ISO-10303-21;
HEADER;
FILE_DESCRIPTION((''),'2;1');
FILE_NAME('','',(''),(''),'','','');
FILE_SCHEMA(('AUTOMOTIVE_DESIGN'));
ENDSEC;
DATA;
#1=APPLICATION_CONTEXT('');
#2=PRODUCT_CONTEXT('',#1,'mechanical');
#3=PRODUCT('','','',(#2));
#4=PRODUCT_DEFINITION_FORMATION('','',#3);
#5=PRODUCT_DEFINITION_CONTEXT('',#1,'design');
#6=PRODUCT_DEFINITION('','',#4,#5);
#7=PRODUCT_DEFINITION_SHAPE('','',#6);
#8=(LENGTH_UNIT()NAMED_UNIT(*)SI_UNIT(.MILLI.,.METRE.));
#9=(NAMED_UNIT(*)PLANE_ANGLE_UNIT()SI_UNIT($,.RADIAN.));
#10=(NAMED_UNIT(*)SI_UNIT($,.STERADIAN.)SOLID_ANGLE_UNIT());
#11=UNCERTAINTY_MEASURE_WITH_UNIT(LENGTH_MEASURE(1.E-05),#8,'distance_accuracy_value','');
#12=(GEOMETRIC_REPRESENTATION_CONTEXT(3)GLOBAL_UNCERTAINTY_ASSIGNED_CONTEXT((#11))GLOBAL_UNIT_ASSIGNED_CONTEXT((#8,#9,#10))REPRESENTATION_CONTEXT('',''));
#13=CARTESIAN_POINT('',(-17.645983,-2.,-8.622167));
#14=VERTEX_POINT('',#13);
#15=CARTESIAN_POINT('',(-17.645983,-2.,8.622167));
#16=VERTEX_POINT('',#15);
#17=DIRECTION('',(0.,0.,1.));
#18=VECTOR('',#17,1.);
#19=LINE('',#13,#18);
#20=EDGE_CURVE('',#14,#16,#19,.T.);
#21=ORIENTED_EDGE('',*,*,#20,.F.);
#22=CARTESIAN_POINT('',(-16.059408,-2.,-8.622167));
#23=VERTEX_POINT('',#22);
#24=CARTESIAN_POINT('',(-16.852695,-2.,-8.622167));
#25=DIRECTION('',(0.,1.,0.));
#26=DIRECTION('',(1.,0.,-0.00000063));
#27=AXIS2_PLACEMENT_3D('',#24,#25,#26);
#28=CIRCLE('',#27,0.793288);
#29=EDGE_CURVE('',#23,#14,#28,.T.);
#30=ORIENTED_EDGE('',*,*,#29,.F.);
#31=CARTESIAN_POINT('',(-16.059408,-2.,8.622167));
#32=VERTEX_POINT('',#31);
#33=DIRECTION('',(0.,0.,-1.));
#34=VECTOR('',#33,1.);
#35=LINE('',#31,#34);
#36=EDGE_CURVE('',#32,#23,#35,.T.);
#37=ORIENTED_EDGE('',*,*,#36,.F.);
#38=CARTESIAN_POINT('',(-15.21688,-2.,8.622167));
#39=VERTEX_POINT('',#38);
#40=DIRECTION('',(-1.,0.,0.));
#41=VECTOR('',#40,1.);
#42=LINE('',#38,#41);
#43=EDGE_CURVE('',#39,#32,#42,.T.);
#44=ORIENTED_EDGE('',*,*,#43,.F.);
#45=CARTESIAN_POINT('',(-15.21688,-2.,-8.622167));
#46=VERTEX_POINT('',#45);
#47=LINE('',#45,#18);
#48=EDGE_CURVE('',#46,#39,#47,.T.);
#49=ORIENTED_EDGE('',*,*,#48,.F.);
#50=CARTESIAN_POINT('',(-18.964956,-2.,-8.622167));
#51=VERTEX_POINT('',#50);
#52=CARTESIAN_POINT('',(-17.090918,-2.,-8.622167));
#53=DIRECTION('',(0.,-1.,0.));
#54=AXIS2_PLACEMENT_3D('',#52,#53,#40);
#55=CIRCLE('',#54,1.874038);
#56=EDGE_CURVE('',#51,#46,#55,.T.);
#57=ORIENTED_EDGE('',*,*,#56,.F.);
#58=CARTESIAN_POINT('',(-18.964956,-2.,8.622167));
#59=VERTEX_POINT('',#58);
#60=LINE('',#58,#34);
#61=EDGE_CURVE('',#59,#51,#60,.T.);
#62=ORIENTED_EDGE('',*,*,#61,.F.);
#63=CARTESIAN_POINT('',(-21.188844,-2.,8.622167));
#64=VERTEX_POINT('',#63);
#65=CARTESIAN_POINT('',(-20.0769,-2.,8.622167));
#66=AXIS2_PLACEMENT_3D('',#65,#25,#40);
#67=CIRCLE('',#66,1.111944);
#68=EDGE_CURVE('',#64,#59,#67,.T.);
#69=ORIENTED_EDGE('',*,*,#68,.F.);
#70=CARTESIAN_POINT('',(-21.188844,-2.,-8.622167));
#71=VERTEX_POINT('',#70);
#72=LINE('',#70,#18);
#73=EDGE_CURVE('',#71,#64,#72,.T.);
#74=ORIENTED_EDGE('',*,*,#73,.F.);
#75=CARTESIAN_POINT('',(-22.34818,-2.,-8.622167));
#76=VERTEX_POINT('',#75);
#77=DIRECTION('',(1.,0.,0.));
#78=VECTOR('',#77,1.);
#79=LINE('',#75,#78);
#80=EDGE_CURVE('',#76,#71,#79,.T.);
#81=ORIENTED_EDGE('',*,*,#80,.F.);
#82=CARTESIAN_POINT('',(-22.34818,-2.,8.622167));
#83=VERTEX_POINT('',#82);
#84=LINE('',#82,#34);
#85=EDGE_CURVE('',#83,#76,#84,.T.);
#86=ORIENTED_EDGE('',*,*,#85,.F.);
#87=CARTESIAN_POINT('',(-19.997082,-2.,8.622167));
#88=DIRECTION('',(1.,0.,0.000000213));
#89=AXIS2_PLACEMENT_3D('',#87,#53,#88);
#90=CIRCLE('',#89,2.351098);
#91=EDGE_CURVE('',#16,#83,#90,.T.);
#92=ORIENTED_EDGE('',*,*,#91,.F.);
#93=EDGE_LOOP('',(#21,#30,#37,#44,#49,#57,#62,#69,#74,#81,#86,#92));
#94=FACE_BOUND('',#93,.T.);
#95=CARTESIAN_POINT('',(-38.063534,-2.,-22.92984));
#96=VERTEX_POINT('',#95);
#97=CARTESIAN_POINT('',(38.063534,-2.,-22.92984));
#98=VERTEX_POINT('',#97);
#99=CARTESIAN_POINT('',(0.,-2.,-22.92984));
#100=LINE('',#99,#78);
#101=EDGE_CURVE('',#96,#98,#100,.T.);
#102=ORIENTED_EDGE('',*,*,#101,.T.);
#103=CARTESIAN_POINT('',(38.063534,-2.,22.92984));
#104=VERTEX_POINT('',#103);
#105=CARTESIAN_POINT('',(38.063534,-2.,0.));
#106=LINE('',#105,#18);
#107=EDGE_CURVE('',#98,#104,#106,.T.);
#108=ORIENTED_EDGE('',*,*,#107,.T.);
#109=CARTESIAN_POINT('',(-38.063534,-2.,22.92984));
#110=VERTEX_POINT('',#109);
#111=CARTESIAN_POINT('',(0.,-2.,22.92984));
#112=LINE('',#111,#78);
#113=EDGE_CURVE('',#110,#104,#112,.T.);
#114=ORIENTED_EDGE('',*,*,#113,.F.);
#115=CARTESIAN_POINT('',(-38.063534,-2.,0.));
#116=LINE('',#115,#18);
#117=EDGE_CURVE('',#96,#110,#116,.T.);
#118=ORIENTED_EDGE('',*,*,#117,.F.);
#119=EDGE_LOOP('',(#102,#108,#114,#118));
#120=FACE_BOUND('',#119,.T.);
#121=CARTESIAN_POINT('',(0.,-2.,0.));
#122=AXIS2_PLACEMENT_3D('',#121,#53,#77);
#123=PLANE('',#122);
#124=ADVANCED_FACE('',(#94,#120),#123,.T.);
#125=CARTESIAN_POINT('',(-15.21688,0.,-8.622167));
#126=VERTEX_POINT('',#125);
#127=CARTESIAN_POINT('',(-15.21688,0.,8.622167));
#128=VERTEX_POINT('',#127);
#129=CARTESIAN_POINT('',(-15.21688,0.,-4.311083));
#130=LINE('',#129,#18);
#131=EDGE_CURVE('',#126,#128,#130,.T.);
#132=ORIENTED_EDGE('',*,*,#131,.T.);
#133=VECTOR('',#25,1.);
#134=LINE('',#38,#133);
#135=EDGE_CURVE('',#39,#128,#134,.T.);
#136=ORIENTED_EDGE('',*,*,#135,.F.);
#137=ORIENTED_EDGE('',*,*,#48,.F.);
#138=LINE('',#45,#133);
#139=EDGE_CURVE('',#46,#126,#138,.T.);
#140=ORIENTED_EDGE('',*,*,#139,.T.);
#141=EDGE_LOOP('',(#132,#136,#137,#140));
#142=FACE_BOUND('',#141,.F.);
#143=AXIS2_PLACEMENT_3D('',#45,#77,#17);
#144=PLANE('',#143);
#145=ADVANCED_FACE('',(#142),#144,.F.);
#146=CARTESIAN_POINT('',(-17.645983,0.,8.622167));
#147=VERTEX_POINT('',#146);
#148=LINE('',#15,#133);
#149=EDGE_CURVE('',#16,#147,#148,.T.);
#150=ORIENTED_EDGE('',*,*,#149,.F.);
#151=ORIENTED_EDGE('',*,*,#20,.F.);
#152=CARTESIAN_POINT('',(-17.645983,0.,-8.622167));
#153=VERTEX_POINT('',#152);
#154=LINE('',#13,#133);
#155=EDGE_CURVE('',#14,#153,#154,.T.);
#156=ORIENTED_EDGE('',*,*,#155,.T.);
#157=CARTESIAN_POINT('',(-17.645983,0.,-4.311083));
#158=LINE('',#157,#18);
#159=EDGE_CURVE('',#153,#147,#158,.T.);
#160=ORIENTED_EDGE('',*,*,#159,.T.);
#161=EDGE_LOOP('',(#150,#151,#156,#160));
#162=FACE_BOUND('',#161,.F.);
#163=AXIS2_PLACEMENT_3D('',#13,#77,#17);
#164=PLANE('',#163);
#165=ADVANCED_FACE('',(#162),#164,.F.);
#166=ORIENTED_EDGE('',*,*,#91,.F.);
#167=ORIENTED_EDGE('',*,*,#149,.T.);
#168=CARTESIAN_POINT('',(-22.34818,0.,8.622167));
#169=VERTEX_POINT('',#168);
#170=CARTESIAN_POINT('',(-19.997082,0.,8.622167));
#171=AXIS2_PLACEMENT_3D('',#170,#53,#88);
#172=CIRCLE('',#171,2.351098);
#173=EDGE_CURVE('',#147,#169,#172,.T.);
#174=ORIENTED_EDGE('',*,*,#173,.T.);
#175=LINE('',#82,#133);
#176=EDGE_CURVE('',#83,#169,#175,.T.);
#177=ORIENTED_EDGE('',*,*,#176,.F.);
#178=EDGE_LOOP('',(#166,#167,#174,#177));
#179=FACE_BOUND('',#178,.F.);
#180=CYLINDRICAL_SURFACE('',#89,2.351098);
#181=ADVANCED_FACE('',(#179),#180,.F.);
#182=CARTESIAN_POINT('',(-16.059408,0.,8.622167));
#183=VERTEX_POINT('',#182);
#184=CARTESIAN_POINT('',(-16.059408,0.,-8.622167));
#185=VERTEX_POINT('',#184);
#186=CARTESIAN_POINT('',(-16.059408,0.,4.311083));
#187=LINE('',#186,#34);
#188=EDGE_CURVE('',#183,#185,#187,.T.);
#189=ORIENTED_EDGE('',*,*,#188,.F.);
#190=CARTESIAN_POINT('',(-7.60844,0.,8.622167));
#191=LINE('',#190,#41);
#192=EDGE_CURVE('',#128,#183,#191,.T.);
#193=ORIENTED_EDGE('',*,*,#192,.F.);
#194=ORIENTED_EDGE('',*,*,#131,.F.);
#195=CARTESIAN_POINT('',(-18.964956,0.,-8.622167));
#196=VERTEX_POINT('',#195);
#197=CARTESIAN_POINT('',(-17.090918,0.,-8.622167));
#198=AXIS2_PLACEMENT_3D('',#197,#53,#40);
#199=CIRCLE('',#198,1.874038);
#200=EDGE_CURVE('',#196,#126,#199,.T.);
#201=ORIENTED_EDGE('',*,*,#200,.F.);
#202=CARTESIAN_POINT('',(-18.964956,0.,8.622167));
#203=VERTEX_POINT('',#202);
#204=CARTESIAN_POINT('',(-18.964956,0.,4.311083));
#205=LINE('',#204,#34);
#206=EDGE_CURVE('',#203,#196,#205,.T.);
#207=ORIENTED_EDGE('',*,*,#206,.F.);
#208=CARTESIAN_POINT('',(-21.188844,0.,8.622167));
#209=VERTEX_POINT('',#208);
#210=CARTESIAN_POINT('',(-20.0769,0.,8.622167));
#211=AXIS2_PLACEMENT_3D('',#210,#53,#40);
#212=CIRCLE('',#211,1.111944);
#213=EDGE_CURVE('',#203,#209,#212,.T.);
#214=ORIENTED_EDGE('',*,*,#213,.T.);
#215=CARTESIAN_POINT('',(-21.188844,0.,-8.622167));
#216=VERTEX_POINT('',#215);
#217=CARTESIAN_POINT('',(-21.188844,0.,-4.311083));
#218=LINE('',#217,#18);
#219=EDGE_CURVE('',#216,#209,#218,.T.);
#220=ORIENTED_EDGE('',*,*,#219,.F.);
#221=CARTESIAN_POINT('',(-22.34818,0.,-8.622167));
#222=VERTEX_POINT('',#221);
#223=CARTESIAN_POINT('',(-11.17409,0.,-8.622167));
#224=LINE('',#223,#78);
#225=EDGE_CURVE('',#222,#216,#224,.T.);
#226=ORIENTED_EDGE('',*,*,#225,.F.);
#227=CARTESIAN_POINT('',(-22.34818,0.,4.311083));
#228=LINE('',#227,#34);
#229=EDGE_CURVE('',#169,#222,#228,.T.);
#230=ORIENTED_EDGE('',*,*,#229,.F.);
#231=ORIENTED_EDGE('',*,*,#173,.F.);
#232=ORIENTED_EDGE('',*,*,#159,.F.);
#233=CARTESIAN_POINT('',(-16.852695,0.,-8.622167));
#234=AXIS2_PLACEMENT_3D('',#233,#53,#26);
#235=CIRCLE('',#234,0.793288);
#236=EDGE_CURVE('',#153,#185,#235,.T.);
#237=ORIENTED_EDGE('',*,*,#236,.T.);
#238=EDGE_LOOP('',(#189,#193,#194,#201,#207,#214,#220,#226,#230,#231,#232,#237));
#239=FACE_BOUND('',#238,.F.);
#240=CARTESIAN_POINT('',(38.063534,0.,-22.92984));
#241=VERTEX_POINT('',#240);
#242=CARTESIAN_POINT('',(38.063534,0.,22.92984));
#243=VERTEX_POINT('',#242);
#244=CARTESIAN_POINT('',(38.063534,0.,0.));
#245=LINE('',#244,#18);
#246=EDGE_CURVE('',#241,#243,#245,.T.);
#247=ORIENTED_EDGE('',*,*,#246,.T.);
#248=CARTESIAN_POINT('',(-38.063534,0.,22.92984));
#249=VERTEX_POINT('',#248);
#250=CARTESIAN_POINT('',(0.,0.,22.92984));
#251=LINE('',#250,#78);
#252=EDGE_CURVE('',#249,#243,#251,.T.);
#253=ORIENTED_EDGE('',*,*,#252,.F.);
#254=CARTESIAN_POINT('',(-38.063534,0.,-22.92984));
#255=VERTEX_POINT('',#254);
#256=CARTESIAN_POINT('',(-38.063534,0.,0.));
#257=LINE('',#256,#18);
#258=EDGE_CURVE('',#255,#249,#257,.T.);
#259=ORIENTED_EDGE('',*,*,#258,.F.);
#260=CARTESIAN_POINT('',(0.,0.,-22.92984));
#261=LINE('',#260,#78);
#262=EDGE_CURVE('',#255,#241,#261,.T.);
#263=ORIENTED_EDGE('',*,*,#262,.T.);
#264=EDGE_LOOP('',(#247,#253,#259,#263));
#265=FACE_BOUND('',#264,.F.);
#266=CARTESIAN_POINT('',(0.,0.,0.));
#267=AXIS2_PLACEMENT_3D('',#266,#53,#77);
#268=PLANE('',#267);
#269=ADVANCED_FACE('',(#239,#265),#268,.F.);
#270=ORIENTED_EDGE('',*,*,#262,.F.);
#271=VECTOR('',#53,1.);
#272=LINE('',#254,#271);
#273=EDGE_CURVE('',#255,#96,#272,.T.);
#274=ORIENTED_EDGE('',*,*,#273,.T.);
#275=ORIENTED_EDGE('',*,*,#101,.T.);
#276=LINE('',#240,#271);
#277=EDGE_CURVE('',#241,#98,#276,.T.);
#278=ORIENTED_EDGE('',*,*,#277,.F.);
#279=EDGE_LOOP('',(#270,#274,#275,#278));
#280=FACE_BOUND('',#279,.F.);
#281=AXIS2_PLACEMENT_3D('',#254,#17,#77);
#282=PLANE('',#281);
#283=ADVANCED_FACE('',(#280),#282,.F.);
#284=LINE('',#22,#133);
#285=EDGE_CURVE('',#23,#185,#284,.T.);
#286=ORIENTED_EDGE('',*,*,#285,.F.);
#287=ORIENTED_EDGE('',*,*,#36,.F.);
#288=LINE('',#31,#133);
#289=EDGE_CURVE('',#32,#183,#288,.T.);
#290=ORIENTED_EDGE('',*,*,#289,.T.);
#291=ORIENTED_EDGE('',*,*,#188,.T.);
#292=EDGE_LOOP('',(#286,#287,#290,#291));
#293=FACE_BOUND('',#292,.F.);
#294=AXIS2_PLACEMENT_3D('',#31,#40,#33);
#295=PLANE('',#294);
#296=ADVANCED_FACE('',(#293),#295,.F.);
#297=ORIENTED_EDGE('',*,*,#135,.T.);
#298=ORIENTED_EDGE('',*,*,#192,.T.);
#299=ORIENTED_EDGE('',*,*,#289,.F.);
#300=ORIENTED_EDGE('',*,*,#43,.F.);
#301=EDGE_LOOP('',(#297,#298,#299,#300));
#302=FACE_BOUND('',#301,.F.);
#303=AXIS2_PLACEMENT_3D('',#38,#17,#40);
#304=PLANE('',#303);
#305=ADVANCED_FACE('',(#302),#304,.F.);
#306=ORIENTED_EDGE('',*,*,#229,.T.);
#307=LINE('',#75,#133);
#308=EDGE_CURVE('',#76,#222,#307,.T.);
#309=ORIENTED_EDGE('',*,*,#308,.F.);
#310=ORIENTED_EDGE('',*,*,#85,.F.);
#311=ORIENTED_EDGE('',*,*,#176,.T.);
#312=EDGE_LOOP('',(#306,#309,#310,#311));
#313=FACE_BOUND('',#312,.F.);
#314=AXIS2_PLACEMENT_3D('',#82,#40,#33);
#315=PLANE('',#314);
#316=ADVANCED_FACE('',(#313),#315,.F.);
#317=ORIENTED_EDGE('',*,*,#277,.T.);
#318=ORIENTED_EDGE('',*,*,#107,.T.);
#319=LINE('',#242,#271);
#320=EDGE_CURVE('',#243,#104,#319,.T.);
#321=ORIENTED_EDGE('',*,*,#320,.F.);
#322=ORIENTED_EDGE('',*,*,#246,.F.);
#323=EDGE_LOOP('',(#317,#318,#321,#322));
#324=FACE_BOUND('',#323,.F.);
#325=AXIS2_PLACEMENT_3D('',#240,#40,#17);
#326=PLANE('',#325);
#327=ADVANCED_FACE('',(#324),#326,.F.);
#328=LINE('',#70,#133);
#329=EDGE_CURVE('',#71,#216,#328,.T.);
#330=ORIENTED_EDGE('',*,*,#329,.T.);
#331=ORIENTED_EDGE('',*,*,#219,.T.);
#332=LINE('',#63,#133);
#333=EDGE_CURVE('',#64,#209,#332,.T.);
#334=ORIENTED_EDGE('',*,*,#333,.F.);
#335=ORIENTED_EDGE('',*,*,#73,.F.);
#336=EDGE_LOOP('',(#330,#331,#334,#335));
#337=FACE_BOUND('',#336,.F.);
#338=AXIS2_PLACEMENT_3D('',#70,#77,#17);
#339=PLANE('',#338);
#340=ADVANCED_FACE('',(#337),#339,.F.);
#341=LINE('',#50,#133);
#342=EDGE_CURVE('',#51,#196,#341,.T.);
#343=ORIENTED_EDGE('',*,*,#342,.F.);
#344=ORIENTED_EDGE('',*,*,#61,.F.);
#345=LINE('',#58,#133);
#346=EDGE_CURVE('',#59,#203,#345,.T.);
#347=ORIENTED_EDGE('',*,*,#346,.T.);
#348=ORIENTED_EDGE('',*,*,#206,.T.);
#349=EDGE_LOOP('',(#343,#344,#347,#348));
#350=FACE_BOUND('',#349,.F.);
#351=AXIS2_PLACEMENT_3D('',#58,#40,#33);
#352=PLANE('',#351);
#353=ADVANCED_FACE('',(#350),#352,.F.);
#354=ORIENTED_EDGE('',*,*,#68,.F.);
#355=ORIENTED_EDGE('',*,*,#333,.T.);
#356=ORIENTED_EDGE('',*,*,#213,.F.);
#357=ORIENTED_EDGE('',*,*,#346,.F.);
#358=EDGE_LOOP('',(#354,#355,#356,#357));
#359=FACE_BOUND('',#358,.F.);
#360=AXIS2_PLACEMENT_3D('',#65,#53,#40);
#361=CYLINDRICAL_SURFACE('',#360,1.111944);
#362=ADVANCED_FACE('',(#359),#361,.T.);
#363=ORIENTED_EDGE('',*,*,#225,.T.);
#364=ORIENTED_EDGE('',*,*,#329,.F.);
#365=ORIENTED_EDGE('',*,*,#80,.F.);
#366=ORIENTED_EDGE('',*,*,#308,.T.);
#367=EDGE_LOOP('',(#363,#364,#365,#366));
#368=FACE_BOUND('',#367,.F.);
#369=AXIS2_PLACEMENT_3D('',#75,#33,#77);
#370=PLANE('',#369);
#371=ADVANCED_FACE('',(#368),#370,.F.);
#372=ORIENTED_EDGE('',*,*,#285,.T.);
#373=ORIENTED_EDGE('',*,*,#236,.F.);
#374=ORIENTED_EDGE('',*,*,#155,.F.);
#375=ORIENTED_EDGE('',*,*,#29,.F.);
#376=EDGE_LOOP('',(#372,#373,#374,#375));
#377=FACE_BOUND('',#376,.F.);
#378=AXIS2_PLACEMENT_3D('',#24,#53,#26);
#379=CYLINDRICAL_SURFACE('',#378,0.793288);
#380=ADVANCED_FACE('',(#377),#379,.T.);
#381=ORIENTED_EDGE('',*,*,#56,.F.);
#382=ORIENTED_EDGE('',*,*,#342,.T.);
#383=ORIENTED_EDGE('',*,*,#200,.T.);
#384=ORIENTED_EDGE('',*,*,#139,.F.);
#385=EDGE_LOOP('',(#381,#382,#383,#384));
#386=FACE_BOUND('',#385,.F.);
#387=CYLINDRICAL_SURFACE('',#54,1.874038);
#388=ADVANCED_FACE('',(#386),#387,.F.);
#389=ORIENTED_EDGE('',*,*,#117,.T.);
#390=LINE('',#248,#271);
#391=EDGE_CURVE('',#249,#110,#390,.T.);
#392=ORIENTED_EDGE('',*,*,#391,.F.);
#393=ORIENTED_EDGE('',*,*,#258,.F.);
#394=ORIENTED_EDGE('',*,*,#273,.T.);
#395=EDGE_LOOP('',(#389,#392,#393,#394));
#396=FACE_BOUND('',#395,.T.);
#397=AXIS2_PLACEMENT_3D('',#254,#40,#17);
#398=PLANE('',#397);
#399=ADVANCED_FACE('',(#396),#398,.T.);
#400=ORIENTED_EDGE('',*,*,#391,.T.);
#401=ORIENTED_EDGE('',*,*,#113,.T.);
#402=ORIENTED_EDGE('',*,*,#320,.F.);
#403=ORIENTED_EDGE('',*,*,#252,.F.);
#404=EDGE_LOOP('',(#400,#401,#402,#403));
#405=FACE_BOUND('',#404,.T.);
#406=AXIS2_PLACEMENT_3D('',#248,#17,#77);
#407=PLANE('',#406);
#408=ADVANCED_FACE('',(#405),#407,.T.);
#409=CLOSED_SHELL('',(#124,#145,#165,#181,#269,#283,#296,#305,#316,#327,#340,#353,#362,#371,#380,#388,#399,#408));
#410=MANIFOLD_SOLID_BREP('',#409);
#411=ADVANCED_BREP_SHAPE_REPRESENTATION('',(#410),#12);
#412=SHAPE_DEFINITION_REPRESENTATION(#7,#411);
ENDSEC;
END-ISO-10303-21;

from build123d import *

# Parameters (mm, degrees)
F0_W     = 76.127068
F0_H     = 45.85968
F1_DEPTH = 2
F3_DEPTH = 2.001


with BuildPart() as f1:
    # F0 (on Front) → F1 (new body)
    with BuildSketch(Plane.XZ):
        Rectangle(F0_W, F0_H)
    extrude(amount=F1_DEPTH)

    # F2 (on face) → F3 (cut, through all)
    with BuildSketch(Plane.XZ.offset(2)):
        with BuildLine():
            Line((-22.34818, -8.622167), (-21.188844, -8.622167))
            Line((-21.188844, -8.622167), (-21.188844, 8.622167))
            ThreePointArc((-21.188844, 8.622167), (-20.0769, 9.734111), (-18.964956, 8.622167))
            Line((-18.964956, 8.622167), (-18.964956, -8.622167))
            ThreePointArc((-18.964956, -8.622167), (-17.090918, -10.496205), (-15.21688, -8.622167))
            Line((-15.21688, -8.622167), (-15.21688, 8.622167))
            Line((-15.21688, 8.622167), (-16.059408, 8.622167))
            Line((-16.059408, 8.622167), (-16.059408, -8.622167))
            ThreePointArc((-16.059408, -8.622167), (-16.852695, -9.415454), (-17.645983, -8.622167))
            Line((-17.645983, -8.622167), (-17.645983, 8.622167))
            ThreePointArc((-17.645983, 8.622167), (-19.997082, 10.973265), (-22.34818, 8.622167))
            Line((-22.34818, 8.622167), (-22.34818, -8.622167))
        make_face()
    extrude(amount=-F3_DEPTH, mode=Mode.SUBTRACT)


solid = f1.part
